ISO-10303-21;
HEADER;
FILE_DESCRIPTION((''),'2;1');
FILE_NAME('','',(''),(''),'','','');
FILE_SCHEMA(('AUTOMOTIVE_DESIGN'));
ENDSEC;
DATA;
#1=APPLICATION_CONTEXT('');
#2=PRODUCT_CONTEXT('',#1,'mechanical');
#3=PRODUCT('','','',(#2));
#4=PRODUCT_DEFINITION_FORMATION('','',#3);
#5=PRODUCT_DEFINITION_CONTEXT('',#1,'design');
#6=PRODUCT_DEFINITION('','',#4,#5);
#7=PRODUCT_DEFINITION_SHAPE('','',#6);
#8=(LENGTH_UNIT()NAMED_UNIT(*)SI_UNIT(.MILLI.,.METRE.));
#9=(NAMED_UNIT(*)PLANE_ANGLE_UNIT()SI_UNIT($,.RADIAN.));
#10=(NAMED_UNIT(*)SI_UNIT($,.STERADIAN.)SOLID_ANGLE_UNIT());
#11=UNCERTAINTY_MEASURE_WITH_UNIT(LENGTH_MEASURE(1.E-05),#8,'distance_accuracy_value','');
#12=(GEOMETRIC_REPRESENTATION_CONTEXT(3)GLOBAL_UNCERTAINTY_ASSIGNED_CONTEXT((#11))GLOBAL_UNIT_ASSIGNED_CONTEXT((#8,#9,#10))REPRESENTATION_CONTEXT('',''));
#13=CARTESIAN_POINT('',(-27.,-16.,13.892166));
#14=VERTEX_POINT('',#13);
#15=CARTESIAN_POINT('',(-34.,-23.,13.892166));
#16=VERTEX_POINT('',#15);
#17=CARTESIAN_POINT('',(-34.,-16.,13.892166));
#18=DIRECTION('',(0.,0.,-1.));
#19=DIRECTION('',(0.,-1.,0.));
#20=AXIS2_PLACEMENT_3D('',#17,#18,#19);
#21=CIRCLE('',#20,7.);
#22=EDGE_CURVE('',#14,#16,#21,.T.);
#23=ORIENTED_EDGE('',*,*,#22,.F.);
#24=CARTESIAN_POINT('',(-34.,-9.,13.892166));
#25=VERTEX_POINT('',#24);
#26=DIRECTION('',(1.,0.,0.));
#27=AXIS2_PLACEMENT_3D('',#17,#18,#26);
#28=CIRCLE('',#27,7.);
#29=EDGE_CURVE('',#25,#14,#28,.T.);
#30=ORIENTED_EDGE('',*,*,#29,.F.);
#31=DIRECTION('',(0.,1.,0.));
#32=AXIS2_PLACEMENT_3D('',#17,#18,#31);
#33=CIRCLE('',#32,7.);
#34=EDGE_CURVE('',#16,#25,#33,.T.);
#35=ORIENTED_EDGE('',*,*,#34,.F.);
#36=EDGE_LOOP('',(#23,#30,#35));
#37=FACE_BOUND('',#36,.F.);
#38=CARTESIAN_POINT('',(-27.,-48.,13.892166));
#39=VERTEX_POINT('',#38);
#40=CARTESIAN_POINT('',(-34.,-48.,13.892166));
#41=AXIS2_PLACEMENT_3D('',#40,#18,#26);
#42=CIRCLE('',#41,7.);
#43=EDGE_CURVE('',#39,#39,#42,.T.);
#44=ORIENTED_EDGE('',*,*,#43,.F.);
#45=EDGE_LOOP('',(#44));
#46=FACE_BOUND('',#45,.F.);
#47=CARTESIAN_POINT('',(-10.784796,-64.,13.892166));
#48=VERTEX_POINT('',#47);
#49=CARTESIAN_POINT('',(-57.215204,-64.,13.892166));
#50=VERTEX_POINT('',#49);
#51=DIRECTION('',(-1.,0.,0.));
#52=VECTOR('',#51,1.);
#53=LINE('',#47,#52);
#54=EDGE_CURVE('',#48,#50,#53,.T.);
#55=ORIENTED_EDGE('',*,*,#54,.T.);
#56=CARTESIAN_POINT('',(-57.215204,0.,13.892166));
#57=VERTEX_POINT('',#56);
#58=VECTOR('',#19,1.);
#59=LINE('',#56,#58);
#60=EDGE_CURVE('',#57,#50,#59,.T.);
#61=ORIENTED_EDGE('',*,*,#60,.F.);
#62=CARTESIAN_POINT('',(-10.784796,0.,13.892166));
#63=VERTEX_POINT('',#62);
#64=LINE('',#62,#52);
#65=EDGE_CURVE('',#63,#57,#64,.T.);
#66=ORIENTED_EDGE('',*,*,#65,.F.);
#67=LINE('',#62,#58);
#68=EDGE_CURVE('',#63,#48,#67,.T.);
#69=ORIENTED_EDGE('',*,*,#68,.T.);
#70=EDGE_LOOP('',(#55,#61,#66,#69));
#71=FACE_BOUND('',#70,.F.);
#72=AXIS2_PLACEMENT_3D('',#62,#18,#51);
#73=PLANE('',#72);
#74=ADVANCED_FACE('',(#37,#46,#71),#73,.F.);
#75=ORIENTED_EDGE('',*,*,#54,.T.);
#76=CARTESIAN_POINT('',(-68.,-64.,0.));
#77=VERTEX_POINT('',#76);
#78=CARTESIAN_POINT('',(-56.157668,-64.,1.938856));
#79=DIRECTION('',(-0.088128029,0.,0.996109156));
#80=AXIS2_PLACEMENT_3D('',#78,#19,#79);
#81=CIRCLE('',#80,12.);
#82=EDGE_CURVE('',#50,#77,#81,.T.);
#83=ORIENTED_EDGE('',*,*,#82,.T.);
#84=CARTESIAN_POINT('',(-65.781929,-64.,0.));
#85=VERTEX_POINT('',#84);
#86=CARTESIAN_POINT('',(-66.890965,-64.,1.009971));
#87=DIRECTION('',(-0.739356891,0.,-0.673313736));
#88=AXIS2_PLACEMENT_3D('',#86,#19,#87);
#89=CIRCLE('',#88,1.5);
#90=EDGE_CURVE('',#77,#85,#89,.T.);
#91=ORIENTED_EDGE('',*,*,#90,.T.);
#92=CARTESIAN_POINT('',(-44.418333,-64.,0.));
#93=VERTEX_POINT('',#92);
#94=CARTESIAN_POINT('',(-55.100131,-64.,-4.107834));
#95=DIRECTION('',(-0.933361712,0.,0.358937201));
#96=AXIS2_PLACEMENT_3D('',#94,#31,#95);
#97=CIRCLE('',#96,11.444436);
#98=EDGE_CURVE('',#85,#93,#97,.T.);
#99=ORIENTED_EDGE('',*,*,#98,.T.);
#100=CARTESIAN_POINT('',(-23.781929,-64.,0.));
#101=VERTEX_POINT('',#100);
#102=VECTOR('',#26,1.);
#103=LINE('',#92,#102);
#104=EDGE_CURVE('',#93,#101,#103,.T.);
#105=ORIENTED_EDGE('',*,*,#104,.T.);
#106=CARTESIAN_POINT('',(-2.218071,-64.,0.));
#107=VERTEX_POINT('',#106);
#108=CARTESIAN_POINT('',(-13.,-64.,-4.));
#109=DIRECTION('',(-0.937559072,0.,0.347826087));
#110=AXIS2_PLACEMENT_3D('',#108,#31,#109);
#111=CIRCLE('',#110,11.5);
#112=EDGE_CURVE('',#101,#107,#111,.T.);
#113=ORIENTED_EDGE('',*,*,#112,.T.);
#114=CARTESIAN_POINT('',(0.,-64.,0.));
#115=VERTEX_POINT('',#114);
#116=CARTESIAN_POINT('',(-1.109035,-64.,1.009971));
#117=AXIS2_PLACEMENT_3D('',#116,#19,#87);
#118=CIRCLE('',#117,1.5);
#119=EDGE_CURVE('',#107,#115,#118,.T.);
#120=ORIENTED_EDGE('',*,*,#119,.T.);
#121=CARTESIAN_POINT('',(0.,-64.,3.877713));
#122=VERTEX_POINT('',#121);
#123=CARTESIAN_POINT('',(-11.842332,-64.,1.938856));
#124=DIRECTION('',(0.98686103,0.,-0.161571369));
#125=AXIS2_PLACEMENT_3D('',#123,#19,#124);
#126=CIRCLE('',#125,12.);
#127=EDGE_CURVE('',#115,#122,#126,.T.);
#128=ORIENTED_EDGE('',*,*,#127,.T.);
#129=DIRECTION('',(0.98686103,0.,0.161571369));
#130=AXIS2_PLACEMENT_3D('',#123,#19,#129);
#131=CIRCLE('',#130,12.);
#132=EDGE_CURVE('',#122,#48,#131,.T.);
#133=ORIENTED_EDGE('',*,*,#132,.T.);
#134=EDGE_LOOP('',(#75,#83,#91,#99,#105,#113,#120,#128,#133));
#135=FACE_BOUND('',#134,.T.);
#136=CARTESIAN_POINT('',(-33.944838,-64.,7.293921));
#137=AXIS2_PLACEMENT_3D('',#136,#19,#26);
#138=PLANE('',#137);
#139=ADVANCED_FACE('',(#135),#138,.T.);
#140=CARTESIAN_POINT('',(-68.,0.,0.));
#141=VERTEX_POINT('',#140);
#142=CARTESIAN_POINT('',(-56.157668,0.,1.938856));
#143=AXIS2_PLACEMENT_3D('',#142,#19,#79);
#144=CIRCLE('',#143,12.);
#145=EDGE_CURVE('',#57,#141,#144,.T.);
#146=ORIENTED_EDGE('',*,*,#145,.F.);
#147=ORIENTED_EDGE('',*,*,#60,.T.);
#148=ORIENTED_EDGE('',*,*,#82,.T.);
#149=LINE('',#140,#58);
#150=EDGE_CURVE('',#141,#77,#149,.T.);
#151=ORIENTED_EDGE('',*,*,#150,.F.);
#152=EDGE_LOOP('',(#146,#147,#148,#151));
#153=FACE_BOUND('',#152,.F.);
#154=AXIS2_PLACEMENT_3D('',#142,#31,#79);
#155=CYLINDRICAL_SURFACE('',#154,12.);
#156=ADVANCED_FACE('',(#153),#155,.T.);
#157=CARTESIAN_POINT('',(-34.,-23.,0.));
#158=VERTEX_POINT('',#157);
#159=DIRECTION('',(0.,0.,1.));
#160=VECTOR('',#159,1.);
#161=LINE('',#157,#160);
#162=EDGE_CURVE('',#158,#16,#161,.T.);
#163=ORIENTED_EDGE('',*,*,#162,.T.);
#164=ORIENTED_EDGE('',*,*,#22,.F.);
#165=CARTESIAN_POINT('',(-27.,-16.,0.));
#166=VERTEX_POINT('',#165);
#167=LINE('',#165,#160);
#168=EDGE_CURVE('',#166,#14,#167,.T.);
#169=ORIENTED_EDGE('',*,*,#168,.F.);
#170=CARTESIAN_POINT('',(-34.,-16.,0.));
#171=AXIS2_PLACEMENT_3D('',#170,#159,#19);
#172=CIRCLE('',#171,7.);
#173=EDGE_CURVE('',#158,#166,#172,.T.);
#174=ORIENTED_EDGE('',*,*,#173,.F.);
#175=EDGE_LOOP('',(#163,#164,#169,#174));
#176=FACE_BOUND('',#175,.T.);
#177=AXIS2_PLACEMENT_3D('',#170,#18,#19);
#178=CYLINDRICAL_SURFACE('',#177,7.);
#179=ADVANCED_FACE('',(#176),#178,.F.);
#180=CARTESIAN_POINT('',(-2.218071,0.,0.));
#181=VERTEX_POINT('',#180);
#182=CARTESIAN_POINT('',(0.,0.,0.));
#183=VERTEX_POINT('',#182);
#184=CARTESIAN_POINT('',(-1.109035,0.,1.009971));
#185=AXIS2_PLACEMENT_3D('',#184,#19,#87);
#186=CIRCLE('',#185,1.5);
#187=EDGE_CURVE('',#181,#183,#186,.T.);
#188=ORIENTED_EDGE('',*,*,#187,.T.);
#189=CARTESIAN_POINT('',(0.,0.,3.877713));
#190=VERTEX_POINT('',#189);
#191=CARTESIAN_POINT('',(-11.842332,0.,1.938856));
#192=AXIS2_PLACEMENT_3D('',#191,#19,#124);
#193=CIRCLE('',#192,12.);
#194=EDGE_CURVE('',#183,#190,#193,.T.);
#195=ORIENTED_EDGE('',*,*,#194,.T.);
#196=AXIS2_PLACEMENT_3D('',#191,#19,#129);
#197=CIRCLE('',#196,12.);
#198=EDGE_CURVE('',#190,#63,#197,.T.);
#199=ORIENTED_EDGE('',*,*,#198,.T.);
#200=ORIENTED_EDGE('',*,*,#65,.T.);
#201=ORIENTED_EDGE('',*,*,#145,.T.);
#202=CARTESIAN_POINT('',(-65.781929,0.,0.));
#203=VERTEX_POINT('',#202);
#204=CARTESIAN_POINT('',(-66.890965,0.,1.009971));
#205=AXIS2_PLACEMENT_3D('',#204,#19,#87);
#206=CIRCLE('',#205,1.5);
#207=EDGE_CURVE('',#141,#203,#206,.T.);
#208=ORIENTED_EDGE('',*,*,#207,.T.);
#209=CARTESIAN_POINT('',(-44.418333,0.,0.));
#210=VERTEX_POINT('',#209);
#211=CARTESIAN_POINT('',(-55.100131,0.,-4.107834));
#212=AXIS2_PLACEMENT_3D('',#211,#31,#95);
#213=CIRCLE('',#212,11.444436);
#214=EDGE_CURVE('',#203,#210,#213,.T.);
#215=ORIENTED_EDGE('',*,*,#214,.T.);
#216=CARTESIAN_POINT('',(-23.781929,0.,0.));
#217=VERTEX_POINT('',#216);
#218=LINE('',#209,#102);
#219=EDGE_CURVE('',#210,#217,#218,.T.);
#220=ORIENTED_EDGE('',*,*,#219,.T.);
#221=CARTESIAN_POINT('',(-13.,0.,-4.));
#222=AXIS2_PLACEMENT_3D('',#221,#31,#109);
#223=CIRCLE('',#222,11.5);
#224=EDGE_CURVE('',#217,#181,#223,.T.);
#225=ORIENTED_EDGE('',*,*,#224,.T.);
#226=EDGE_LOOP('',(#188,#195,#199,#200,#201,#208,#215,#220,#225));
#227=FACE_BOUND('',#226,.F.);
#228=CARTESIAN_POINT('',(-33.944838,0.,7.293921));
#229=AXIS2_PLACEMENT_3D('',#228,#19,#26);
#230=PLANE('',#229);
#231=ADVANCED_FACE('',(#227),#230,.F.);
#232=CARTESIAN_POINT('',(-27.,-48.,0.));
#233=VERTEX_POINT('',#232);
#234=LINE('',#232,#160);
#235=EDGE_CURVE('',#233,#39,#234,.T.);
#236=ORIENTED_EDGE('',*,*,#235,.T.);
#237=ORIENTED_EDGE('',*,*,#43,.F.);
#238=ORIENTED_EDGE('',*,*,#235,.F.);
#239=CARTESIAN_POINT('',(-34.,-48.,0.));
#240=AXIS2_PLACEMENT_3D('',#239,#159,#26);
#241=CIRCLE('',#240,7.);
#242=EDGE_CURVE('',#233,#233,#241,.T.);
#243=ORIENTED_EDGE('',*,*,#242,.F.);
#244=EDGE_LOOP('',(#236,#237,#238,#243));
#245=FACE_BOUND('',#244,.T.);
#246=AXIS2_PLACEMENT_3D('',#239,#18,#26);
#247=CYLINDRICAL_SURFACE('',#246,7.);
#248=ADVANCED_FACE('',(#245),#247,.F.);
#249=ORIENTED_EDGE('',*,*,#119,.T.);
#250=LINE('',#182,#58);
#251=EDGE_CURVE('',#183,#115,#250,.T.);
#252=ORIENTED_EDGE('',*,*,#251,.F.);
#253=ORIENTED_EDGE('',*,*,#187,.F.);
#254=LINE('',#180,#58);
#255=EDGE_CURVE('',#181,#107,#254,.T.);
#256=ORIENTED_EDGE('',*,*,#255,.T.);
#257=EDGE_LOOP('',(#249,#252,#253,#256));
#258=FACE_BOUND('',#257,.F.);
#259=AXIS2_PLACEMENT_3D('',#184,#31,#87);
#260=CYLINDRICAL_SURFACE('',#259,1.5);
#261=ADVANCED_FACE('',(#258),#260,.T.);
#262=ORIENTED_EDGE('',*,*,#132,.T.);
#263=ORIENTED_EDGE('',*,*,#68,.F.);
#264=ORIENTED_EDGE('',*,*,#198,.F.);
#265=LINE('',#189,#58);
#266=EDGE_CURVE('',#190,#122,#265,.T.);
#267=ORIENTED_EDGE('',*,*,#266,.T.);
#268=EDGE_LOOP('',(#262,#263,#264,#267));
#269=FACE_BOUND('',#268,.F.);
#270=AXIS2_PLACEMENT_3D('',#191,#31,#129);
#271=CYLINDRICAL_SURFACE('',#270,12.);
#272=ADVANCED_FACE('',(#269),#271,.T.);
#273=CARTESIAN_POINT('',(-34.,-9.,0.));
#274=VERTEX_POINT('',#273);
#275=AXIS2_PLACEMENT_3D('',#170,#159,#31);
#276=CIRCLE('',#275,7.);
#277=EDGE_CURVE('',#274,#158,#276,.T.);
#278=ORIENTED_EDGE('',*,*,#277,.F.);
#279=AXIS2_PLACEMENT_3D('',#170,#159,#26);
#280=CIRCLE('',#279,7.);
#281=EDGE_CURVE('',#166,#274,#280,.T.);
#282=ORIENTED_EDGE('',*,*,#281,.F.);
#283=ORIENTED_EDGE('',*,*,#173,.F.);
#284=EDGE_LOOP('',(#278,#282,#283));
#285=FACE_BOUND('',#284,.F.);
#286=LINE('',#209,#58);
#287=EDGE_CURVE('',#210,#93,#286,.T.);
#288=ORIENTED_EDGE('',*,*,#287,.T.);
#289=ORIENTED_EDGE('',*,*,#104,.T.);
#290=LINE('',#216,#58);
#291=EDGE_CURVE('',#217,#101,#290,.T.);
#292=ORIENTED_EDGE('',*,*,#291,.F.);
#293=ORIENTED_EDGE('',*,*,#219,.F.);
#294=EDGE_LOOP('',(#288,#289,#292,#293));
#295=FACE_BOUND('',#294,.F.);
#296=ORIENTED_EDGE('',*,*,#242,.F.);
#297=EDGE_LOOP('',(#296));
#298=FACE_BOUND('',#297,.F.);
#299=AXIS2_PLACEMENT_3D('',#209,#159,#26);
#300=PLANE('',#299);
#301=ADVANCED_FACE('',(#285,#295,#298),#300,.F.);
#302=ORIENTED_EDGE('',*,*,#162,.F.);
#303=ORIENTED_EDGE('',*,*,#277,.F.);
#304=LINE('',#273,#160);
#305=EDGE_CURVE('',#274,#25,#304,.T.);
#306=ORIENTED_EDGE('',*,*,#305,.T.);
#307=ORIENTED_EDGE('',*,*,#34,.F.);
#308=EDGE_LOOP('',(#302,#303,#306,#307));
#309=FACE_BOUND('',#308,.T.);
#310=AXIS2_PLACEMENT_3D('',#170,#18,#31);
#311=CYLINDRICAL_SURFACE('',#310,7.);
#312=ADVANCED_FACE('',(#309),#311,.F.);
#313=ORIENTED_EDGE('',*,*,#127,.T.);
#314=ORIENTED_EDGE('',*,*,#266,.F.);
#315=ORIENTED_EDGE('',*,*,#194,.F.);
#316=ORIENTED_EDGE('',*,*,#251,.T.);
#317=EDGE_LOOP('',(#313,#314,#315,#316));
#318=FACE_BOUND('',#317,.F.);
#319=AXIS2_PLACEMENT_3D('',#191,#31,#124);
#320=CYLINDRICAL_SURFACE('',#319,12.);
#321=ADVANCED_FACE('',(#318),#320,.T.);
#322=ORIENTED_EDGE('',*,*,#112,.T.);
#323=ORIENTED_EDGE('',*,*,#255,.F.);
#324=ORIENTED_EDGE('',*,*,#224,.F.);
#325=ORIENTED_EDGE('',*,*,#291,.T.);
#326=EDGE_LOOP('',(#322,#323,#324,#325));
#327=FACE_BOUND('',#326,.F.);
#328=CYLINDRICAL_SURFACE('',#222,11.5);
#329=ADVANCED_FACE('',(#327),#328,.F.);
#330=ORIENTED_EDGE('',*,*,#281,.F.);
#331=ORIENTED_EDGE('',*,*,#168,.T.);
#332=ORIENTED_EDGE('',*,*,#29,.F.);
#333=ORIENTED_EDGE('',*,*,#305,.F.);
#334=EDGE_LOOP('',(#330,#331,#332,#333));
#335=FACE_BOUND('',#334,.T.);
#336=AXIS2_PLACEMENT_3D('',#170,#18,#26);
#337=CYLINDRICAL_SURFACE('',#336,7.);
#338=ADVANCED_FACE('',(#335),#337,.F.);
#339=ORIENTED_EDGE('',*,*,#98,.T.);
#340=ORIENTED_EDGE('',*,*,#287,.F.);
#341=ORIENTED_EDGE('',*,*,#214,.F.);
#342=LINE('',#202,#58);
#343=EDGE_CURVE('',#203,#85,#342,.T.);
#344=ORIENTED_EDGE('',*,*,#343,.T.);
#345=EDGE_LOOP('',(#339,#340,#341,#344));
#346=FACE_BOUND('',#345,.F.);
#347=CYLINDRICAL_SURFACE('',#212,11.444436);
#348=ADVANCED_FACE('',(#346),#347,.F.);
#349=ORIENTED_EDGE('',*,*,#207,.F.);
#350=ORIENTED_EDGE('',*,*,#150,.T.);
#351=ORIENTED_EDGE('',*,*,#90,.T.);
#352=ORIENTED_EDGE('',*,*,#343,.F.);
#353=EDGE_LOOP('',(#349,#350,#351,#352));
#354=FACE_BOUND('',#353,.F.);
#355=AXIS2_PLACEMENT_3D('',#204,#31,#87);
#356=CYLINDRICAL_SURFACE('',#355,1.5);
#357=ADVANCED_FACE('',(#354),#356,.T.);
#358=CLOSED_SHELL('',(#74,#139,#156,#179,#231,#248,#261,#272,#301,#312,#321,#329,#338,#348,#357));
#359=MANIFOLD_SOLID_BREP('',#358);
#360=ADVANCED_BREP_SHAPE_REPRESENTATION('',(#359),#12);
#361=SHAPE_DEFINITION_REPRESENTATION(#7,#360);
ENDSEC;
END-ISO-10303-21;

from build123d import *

# Parameters (mm, degrees)
F1_DEPTH = 64
F2_R     = 7
F3_DEPTH = 14


with BuildPart() as f1:
    # F0 (on Front) → F1 (new body)
    with BuildSketch(Plane.XZ):
        with BuildLine():
            Line((-44.4183332533, 0), (-34, 0))
            Line((-34, 0), (-23.7819293264, 0))
            ThreePointArc((-23.7819293264, 0), (-13, 7.5), (-2.2180706736, 0))
            ThreePointArc((-2.2180706736, 0), (-1.1090353368, -0.4900293956), (0, 0))
            ThreePointArc((0, 0), (0.1576676396, 1.9388564323), (0, 3.8777128647))
            ThreePointArc((0, 3.8777128647), (-3.676919168, 10.7323783319), (-10.7847960107, 13.8921663032))
            Line((-10.7847960107, 13.8921663032), (-12.8998687101, 13.8921663032))
            Line((-12.8998687101, 13.8921663032), (-13, 13.8921663032))
            Line((-13, 13.8921663032), (-55.1001312899, 13.8921663032))
            Line((-55.1001312899, 13.8921663032), (-57.2152039893, 13.8921663032))
            ThreePointArc((-57.2152039893, 13.8921663032), (-65.6365770881, 9.2975435208), (-68, 0))
            ThreePointArc((-68, 0), (-66.8909646632, -0.4900293956), (-65.7819293264, 0))
            ThreePointArc((-65.7819293264, 0), (-55.1001312899, 7.3366019369), (-44.4183332533, 0))
        make_face()
    extrude(amount=F1_DEPTH)

    # F2 (on Top) → F3 (cut)
    with BuildSketch(Plane.XY):
        with Locations((-34, -48)):
            Circle(F2_R)
        with BuildLine():
            ThreePointArc((-27, -16), (-29.0502525317, -11.0502525317), (-34, -9))
            Line((-34, -9), (-34, -23))
            ThreePointArc((-34, -23), (-29.0502525317, -20.9497474683), (-27, -16))
        make_face()
        with BuildLine():
            Line((-34, -23), (-34, -9))
            ThreePointArc((-34, -9), (-41, -16), (-34, -23))
        make_face()
    extrude(amount=F3_DEPTH, mode=Mode.SUBTRACT)


solid = f1.part
